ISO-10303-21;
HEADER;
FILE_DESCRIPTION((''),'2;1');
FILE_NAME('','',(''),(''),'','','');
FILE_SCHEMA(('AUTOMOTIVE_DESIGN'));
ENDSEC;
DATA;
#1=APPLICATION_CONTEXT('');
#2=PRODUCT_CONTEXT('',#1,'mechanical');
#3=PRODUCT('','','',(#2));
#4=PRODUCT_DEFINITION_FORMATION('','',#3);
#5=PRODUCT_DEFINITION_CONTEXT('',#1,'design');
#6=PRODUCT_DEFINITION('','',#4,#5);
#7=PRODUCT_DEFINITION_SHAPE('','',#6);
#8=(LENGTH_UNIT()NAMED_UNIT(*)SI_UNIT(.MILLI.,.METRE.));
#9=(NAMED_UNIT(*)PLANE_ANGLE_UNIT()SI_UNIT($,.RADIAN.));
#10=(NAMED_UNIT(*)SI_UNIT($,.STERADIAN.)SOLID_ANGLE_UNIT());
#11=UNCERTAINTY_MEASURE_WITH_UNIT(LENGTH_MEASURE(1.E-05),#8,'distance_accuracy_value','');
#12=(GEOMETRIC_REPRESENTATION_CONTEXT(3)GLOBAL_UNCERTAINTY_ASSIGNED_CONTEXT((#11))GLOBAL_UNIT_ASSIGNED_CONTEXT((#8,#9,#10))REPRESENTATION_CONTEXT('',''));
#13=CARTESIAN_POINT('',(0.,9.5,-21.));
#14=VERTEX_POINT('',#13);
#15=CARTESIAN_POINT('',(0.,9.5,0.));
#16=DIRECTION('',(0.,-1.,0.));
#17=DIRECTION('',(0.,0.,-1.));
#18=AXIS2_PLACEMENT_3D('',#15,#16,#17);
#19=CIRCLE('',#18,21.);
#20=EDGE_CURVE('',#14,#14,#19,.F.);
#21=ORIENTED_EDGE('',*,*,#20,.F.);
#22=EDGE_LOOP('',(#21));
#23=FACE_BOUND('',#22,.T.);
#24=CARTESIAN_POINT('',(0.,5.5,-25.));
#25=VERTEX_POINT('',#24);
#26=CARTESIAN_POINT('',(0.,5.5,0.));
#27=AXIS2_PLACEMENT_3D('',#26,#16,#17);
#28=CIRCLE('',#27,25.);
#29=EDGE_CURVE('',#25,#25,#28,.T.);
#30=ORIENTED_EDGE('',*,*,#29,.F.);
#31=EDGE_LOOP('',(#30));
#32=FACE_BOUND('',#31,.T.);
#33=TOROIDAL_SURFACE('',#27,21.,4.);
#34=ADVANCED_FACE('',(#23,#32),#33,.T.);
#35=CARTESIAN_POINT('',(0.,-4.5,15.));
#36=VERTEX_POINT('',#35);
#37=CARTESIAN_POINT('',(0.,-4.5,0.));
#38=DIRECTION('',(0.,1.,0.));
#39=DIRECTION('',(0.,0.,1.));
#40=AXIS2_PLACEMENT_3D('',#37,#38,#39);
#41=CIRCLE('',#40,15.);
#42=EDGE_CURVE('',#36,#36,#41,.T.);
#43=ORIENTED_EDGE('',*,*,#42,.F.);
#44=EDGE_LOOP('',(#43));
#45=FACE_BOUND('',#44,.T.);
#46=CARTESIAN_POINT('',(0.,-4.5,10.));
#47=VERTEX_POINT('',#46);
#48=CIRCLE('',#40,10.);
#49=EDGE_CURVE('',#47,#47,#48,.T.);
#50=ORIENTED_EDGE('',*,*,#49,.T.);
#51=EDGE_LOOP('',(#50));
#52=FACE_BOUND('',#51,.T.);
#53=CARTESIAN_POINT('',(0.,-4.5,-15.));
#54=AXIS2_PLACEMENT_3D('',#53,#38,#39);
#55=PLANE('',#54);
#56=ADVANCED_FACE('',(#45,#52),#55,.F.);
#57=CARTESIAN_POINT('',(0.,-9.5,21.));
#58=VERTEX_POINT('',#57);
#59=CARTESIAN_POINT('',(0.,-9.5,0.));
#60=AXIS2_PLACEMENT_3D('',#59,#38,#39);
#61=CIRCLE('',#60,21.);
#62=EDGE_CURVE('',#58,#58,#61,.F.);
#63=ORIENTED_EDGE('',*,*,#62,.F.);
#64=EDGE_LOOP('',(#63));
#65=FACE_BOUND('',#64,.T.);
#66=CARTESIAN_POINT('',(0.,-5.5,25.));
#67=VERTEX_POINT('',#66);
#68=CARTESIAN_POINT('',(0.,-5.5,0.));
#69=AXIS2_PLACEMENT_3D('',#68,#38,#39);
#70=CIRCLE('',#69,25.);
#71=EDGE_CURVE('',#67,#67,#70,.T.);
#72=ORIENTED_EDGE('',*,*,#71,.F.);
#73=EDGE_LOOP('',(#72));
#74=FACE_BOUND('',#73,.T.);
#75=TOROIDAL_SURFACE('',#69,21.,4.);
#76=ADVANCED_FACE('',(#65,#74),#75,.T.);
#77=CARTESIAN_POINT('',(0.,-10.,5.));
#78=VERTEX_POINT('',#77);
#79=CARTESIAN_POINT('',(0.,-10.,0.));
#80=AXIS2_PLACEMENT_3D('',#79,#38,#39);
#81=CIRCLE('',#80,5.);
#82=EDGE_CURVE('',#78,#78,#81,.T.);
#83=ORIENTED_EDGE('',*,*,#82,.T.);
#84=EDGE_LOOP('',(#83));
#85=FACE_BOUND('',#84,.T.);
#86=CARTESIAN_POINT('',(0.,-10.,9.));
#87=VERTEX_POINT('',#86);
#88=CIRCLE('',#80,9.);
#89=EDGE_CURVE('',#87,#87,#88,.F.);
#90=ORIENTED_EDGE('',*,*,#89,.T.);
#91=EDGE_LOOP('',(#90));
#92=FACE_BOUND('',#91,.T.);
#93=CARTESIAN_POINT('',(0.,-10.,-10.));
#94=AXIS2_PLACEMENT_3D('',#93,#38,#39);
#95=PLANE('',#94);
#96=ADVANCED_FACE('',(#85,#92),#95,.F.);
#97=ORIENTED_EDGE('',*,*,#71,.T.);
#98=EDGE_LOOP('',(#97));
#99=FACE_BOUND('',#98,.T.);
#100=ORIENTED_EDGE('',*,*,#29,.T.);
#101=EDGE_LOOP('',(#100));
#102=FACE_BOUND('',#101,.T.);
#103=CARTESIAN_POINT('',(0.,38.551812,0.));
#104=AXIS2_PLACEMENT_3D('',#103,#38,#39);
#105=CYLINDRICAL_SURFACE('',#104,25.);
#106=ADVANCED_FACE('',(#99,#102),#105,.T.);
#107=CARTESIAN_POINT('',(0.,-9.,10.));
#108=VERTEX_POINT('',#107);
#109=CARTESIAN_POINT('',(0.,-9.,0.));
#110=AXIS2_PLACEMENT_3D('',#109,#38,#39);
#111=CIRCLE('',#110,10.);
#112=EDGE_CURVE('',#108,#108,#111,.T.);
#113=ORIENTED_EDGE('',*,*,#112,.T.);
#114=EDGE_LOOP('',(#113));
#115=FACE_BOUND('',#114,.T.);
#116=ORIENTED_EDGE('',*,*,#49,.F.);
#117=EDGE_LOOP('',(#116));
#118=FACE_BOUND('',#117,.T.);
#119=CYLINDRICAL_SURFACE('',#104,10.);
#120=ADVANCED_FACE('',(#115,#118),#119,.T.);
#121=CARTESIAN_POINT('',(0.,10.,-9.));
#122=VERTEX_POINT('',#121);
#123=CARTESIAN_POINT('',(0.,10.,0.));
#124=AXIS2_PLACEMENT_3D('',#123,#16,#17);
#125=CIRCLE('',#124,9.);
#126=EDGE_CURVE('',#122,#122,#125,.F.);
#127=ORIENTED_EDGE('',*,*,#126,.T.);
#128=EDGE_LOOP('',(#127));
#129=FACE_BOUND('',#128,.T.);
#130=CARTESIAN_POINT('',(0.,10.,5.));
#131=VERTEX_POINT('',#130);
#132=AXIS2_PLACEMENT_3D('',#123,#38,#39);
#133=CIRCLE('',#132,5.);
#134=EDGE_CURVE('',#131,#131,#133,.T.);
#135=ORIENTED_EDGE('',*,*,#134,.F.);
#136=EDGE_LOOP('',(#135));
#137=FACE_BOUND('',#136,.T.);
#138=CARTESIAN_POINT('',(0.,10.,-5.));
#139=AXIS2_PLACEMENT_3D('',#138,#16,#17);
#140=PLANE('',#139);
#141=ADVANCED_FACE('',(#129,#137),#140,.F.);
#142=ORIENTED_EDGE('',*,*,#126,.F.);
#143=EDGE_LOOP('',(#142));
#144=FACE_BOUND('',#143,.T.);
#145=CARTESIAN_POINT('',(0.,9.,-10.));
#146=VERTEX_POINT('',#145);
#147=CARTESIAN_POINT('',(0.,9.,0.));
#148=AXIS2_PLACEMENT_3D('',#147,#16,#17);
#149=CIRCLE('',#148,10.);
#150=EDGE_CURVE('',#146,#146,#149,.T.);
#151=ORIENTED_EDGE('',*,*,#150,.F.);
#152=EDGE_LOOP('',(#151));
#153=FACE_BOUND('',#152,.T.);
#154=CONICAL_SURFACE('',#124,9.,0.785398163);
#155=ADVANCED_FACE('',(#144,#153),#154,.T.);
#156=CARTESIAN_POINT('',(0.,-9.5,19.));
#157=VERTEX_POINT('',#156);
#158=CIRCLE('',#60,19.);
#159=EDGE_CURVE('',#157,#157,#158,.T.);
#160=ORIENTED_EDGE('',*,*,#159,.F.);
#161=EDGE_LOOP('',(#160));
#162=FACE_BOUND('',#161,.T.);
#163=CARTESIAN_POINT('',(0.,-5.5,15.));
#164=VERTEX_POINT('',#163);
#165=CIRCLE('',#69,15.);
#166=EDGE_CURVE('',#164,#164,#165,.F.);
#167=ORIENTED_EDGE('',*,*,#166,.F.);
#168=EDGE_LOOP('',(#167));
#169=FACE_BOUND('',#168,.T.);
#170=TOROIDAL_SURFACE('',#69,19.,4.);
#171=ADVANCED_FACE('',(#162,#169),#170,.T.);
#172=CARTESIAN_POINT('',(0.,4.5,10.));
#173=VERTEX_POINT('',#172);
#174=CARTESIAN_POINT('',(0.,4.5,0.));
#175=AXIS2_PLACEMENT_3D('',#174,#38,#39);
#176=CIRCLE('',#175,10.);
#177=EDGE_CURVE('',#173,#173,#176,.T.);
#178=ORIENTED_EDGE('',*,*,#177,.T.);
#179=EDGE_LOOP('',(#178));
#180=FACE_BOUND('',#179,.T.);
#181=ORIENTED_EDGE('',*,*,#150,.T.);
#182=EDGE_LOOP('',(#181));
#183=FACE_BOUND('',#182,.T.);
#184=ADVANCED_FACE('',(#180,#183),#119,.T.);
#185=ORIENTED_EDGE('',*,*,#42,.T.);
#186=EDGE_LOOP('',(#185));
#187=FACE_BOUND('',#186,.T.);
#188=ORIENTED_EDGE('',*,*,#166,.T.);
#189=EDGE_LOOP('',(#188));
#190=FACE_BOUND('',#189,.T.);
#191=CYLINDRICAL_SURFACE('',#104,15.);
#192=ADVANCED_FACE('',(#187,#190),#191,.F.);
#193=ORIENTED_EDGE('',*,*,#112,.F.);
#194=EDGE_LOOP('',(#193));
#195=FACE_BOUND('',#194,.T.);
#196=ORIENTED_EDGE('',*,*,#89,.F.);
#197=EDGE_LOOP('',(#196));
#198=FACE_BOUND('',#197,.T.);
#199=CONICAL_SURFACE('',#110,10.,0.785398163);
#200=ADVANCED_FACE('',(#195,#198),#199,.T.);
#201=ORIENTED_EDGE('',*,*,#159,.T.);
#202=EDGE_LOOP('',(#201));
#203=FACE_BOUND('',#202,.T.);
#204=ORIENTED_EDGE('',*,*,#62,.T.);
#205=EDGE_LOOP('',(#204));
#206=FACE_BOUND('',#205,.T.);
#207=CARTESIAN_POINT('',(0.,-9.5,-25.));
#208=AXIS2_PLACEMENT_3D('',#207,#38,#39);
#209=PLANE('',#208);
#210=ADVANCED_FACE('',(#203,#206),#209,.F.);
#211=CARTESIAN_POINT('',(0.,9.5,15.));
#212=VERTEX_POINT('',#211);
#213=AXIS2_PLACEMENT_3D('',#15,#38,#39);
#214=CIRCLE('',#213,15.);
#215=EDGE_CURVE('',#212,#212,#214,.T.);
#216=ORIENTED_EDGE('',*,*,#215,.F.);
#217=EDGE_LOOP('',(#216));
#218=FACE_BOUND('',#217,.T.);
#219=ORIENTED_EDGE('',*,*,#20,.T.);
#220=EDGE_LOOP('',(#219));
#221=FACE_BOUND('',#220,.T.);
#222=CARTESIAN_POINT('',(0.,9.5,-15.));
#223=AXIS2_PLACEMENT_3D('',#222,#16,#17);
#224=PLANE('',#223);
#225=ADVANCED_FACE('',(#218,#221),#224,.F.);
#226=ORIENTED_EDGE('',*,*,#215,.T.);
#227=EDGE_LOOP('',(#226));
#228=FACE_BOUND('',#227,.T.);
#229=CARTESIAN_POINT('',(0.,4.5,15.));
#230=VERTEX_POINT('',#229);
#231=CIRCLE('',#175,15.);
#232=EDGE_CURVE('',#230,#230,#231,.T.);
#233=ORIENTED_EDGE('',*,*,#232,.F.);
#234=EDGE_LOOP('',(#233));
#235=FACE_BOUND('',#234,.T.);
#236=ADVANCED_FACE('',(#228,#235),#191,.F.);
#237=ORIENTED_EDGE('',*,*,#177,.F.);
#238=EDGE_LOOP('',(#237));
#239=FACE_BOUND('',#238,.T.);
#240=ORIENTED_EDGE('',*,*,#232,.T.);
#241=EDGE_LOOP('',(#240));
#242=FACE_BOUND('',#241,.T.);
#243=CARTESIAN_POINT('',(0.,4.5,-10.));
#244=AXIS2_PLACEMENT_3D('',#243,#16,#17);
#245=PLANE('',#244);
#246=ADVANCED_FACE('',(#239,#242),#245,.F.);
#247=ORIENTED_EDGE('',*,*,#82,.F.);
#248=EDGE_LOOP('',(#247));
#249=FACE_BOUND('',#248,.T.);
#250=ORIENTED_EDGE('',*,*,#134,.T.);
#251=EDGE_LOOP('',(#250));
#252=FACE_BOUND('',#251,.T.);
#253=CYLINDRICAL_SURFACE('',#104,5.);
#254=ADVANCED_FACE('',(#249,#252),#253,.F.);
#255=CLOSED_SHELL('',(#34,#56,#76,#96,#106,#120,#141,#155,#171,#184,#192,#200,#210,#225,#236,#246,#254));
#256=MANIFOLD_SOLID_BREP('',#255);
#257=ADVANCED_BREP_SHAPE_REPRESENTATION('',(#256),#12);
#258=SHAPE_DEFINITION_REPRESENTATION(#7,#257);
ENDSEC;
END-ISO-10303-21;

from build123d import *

# Parameters (mm, degrees)
FILLET1_R     = 4
CHAMFER1_SIZE = 1


with BuildPart() as part:
    # Sketch2 → Revolve1 (revolve)
    with BuildSketch(Plane(origin=(0, 0, 0), x_dir=(0, 0, -1), z_dir=(1, 0, 0)), mode=Mode.PRIVATE) as revolve1_sk:
        Polygon((10, 10), (10, 4.5), (15, 4.5), (15, 9.5), (25, 9.5), (25, -9.5), (15, -9.5), (15, -4.5), (10, -4.5), (10, -10), (5, -10), (5, 10), align=None)
    revolve(revolve1_sk.sketch.rotate(Axis((0, 38.551811756, 0), (0, -1, 0)), 180), axis=Axis((0, 38.551811756, 0), (0, -1, 0)))

    # Fillet1
    fillet1_edges = [part.edges().sort_by_distance(p)[0] for p in [
        (0, -9.5, -15),
        (0, -9.5, -25),
        (0, 9.5, -25),
    ]]
    fillet(fillet1_edges, radius=FILLET1_R)

    # Chamfer1
    chamfer1_edges = [part.edges().sort_by_distance(p)[0] for p in [
        (0, -10, -10),
        (0, 10, -10),
    ]]
    chamfer(chamfer1_edges, length=CHAMFER1_SIZE)


solid = part.part
